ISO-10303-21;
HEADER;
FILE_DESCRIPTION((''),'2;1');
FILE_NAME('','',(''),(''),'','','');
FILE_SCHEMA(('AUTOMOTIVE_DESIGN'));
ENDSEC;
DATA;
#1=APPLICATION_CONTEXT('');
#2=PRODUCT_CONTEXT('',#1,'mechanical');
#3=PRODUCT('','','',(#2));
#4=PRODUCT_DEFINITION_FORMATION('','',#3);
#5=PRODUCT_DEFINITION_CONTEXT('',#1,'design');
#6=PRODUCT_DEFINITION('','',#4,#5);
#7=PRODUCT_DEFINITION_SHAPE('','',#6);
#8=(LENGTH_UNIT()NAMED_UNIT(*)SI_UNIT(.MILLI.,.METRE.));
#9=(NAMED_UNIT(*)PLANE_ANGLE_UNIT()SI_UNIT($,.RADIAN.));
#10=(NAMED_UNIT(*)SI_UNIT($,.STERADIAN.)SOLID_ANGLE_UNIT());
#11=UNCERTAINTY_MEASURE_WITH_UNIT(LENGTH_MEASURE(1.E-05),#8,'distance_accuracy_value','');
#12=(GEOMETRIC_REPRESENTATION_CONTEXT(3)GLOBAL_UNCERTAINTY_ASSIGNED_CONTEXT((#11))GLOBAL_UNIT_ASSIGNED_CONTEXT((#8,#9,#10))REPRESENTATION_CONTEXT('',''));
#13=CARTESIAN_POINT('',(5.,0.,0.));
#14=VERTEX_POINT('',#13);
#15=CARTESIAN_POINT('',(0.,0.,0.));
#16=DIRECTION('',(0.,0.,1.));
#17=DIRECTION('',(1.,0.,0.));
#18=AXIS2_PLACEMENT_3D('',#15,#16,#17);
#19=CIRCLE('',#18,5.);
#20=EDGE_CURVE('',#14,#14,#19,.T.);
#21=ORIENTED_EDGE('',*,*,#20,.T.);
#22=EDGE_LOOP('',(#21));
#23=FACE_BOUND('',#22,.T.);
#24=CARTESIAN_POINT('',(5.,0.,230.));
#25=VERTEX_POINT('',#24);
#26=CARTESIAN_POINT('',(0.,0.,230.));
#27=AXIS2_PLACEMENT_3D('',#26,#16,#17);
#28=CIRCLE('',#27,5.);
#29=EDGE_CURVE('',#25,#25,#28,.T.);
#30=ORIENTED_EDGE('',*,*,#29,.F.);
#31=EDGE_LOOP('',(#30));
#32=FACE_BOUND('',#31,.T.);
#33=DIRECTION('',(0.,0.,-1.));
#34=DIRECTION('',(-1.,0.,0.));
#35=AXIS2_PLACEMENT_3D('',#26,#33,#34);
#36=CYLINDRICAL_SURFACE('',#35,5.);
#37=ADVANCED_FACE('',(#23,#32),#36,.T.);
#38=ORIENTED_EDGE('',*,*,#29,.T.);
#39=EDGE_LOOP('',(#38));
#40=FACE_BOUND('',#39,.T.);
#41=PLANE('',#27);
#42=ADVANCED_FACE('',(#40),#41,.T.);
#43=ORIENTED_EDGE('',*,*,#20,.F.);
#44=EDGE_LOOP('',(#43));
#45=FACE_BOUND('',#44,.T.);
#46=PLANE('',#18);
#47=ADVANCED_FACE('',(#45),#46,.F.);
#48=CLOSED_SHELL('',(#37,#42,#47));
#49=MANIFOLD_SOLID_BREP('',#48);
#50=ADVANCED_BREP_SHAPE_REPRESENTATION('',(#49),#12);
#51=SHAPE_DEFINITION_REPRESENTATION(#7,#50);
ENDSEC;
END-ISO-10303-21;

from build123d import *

# Parameters (mm, degrees)
SCHIZZO1_R                   = 5
ESTRUSIONE_ESTRUSIONE1_DEPTH = 230


with BuildPart() as part:
    # Schizzo1 → Estrusione-Estrusione1 (new body)
    with BuildSketch(Plane.XY):
        Circle(SCHIZZO1_R)
    extrude(amount=ESTRUSIONE_ESTRUSIONE1_DEPTH)


solid = part.part
